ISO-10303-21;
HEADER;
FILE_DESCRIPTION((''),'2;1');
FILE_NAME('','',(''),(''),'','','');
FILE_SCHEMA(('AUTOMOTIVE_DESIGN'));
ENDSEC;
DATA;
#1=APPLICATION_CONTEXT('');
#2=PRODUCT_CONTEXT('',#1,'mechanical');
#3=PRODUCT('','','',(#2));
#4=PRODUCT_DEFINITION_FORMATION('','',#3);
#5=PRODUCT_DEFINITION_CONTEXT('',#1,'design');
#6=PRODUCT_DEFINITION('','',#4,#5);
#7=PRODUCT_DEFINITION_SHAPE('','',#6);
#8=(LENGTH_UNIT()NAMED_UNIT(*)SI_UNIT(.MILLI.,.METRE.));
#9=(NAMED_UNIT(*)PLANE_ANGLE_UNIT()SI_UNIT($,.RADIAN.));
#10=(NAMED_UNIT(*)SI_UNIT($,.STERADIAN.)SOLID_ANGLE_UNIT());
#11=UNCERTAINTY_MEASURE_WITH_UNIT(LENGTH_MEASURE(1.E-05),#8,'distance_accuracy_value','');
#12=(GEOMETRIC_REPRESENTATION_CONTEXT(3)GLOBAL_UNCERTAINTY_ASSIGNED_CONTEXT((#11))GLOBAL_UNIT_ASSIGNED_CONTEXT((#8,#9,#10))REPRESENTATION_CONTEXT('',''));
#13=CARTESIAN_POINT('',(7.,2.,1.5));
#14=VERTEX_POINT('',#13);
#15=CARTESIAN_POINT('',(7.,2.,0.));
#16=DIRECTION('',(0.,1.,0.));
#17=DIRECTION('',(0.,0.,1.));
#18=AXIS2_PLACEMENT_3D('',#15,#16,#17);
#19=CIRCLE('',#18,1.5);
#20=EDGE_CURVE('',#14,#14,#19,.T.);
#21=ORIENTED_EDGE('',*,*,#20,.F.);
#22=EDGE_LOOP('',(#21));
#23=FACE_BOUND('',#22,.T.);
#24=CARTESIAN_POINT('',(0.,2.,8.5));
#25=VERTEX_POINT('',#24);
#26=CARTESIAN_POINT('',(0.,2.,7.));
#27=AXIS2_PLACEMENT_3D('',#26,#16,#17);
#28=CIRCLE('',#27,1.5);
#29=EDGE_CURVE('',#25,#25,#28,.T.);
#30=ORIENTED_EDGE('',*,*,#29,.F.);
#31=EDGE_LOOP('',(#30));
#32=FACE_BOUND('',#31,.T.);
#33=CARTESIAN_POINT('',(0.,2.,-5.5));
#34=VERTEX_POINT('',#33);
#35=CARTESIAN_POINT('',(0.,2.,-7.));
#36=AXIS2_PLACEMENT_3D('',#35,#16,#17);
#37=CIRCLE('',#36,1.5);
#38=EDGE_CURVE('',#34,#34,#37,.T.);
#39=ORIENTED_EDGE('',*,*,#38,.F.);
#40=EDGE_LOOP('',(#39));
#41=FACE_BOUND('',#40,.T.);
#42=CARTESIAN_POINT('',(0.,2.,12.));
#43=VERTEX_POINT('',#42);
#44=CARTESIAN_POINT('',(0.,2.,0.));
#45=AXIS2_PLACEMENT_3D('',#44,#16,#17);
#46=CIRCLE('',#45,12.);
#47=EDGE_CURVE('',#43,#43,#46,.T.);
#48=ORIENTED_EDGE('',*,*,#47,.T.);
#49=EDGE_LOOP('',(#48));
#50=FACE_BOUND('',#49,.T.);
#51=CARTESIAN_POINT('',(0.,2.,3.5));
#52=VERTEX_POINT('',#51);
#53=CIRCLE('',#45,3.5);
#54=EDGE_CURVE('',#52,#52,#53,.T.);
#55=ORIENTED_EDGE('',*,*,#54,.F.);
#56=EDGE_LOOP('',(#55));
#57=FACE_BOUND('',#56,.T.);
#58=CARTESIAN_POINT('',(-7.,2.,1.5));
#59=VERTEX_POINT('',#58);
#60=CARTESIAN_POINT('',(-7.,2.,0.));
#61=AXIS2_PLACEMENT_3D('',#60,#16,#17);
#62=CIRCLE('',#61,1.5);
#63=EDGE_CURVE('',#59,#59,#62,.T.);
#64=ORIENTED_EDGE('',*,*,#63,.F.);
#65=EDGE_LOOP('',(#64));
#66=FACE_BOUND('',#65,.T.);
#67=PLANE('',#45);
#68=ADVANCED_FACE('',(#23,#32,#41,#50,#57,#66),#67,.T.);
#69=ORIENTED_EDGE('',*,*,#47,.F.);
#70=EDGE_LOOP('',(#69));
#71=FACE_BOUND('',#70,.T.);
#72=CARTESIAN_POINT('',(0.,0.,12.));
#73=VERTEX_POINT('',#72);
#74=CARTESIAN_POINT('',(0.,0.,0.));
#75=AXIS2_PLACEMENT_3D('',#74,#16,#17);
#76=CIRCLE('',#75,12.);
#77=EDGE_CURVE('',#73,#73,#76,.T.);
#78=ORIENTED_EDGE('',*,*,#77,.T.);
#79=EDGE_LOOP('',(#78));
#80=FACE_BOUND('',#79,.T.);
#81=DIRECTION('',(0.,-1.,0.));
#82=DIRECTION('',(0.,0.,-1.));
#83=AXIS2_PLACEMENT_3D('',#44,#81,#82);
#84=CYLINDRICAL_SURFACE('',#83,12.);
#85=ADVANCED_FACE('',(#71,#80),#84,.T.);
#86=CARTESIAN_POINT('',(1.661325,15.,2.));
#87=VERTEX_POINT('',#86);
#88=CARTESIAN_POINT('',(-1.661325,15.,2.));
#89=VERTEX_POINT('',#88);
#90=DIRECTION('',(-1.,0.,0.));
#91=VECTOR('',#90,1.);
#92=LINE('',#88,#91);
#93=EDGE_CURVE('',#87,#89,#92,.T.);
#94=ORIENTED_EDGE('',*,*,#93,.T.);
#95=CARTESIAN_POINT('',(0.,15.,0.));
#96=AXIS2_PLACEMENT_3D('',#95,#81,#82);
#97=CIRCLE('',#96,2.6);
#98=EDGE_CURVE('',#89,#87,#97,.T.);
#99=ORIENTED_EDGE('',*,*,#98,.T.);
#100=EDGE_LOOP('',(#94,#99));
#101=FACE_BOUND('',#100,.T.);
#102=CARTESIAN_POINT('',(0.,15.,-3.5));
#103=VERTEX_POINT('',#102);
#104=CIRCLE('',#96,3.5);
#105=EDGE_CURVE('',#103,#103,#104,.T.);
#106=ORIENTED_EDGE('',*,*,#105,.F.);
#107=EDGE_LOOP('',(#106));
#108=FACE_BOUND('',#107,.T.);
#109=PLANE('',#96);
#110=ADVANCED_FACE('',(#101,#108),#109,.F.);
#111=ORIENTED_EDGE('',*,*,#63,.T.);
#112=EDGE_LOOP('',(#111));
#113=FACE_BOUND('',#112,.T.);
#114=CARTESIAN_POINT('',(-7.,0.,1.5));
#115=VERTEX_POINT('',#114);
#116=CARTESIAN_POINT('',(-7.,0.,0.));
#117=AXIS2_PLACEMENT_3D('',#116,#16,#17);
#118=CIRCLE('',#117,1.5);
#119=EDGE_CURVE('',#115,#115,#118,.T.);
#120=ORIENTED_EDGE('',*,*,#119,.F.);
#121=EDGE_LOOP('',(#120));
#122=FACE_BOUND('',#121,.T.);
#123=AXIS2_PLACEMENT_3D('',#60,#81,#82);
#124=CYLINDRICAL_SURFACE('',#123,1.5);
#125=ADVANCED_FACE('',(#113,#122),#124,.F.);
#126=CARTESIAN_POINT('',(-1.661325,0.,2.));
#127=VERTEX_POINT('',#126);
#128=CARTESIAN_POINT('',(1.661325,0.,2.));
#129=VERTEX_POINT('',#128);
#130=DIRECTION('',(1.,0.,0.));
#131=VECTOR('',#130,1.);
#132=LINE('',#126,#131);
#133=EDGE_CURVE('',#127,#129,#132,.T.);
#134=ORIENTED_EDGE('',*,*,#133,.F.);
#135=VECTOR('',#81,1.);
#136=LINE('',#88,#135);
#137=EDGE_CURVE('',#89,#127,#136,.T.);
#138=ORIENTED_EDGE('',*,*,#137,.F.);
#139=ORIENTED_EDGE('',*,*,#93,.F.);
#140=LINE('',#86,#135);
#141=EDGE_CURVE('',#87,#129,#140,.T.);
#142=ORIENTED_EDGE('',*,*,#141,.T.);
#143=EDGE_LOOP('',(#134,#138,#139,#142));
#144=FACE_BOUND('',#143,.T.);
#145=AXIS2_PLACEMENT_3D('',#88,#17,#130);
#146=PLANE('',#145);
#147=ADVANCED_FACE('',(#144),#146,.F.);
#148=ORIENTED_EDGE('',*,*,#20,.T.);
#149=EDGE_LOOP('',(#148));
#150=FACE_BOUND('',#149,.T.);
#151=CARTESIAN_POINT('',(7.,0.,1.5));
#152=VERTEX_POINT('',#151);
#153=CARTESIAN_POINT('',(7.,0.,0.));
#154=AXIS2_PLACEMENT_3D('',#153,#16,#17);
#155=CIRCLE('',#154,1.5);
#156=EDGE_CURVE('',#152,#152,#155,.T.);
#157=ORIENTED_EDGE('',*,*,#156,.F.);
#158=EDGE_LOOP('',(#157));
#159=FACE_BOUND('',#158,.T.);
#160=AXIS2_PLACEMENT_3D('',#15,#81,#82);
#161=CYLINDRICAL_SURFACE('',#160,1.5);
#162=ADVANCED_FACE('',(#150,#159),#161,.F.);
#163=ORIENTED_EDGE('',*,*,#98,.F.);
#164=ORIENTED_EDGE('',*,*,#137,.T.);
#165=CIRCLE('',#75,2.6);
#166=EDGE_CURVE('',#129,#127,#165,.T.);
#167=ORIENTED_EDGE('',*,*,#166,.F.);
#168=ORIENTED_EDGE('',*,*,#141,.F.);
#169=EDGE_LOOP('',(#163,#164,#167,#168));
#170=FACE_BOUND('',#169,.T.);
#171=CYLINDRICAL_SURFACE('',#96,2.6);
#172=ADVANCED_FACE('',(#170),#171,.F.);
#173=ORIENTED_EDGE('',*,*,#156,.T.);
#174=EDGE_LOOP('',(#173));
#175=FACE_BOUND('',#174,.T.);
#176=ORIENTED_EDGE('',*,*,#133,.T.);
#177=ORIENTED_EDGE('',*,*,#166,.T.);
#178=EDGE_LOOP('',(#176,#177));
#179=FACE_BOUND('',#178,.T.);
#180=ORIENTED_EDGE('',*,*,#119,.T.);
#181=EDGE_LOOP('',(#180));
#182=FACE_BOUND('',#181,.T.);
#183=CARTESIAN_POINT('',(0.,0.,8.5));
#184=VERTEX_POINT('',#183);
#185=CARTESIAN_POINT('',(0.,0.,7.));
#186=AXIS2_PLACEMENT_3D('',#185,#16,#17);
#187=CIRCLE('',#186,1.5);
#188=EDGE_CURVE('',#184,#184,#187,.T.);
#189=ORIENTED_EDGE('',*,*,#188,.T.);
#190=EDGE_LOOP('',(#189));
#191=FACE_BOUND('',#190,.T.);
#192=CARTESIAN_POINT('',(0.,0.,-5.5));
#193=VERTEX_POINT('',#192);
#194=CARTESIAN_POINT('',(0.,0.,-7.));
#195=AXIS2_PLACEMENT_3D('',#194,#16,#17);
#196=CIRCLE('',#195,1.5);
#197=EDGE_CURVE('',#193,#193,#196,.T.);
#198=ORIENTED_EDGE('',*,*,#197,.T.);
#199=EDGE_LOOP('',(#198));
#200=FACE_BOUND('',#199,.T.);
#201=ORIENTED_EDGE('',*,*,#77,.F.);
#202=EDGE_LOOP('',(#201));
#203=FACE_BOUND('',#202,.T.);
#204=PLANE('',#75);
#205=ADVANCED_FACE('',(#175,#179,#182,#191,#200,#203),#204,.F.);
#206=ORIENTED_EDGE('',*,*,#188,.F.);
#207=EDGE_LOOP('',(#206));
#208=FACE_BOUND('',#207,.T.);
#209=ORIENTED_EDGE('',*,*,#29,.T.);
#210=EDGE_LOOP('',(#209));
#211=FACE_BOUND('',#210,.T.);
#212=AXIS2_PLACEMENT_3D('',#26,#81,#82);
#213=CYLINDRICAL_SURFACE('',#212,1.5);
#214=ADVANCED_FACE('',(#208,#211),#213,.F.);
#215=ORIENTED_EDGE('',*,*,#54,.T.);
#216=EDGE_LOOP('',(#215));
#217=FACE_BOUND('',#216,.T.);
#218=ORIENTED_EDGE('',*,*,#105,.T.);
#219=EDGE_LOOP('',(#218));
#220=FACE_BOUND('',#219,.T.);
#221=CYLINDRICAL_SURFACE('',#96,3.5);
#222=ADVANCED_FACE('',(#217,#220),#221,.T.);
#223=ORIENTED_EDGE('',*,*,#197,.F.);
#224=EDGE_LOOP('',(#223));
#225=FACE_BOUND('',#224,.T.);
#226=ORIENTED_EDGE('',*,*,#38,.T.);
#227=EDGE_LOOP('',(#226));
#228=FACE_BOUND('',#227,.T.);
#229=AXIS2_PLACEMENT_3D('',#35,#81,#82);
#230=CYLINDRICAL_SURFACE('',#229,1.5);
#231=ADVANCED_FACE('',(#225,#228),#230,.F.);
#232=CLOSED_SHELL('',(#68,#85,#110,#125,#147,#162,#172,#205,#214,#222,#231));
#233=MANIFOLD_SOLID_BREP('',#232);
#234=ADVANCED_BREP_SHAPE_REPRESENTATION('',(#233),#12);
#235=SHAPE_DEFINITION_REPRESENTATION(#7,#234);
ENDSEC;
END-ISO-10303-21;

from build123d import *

# Parameters (mm, degrees)
SKETCH_2_R          = 12
SKETCH_2_R_2        = 1.5
EXTRUDE_1_DEPTH     = 2
SKETCH_3_R          = 3.5
EXTRUDE_2_DEPTH     = 15
CUT_EXTRUDE_1_DEPTH = 22.377558326


with BuildPart() as part:
    # 草图2 → 凸台-拉伸1 (new body)
    with BuildSketch(Plane(origin=(0, 0, 0), x_dir=(1, 0, 0), z_dir=(0, 1, 0))):
        with Locations(Location((0, 0, 0), (0, 0, 270))):
            Circle(SKETCH_2_R)
        with Locations(Location((0, 7, 0), (0, 0, 270))):
            Circle(SKETCH_2_R_2, mode=Mode.SUBTRACT)
        with Locations(Location((7, 0, 0), (0, 0, 270))):
            Circle(SKETCH_2_R_2, mode=Mode.SUBTRACT)
        with Locations(Location((0, -7, 0), (0, 0, 270))):
            Circle(SKETCH_2_R_2, mode=Mode.SUBTRACT)
        with Locations(Location((-7, 0, 0), (0, 0, 270))):
            Circle(SKETCH_2_R_2, mode=Mode.SUBTRACT)
    extrude(amount=EXTRUDE_1_DEPTH)

    # 草图3 → 凸台-拉伸2 (add)
    with BuildSketch(Plane.XZ):
        with Locations(Location((0, 0, 0), (0, 0, 270))):
            Circle(SKETCH_3_R)
        with BuildLine():
            Line((-1.661324773, 2), (1.661324773, 2))
            ThreePointArc((1.661324773, 2), (0, -2.6), (-1.661324773, 2))
        make_face(mode=Mode.SUBTRACT)
    extrude(amount=-EXTRUDE_2_DEPTH)

    # 草图4 → 切除-拉伸1 (cut, through all)
    with BuildSketch(Plane(origin=(0, 2, 0), x_dir=(1, 0, 0), z_dir=(0, 1, 0))):
        with BuildLine():
            Line((-1.661324773, -2), (1.661324773, -2))
            ThreePointArc((1.661324773, -2), (0, 2.6), (-1.661324773, -2))
        make_face()
    extrude(amount=-CUT_EXTRUDE_1_DEPTH, mode=Mode.SUBTRACT)


solid = part.part
